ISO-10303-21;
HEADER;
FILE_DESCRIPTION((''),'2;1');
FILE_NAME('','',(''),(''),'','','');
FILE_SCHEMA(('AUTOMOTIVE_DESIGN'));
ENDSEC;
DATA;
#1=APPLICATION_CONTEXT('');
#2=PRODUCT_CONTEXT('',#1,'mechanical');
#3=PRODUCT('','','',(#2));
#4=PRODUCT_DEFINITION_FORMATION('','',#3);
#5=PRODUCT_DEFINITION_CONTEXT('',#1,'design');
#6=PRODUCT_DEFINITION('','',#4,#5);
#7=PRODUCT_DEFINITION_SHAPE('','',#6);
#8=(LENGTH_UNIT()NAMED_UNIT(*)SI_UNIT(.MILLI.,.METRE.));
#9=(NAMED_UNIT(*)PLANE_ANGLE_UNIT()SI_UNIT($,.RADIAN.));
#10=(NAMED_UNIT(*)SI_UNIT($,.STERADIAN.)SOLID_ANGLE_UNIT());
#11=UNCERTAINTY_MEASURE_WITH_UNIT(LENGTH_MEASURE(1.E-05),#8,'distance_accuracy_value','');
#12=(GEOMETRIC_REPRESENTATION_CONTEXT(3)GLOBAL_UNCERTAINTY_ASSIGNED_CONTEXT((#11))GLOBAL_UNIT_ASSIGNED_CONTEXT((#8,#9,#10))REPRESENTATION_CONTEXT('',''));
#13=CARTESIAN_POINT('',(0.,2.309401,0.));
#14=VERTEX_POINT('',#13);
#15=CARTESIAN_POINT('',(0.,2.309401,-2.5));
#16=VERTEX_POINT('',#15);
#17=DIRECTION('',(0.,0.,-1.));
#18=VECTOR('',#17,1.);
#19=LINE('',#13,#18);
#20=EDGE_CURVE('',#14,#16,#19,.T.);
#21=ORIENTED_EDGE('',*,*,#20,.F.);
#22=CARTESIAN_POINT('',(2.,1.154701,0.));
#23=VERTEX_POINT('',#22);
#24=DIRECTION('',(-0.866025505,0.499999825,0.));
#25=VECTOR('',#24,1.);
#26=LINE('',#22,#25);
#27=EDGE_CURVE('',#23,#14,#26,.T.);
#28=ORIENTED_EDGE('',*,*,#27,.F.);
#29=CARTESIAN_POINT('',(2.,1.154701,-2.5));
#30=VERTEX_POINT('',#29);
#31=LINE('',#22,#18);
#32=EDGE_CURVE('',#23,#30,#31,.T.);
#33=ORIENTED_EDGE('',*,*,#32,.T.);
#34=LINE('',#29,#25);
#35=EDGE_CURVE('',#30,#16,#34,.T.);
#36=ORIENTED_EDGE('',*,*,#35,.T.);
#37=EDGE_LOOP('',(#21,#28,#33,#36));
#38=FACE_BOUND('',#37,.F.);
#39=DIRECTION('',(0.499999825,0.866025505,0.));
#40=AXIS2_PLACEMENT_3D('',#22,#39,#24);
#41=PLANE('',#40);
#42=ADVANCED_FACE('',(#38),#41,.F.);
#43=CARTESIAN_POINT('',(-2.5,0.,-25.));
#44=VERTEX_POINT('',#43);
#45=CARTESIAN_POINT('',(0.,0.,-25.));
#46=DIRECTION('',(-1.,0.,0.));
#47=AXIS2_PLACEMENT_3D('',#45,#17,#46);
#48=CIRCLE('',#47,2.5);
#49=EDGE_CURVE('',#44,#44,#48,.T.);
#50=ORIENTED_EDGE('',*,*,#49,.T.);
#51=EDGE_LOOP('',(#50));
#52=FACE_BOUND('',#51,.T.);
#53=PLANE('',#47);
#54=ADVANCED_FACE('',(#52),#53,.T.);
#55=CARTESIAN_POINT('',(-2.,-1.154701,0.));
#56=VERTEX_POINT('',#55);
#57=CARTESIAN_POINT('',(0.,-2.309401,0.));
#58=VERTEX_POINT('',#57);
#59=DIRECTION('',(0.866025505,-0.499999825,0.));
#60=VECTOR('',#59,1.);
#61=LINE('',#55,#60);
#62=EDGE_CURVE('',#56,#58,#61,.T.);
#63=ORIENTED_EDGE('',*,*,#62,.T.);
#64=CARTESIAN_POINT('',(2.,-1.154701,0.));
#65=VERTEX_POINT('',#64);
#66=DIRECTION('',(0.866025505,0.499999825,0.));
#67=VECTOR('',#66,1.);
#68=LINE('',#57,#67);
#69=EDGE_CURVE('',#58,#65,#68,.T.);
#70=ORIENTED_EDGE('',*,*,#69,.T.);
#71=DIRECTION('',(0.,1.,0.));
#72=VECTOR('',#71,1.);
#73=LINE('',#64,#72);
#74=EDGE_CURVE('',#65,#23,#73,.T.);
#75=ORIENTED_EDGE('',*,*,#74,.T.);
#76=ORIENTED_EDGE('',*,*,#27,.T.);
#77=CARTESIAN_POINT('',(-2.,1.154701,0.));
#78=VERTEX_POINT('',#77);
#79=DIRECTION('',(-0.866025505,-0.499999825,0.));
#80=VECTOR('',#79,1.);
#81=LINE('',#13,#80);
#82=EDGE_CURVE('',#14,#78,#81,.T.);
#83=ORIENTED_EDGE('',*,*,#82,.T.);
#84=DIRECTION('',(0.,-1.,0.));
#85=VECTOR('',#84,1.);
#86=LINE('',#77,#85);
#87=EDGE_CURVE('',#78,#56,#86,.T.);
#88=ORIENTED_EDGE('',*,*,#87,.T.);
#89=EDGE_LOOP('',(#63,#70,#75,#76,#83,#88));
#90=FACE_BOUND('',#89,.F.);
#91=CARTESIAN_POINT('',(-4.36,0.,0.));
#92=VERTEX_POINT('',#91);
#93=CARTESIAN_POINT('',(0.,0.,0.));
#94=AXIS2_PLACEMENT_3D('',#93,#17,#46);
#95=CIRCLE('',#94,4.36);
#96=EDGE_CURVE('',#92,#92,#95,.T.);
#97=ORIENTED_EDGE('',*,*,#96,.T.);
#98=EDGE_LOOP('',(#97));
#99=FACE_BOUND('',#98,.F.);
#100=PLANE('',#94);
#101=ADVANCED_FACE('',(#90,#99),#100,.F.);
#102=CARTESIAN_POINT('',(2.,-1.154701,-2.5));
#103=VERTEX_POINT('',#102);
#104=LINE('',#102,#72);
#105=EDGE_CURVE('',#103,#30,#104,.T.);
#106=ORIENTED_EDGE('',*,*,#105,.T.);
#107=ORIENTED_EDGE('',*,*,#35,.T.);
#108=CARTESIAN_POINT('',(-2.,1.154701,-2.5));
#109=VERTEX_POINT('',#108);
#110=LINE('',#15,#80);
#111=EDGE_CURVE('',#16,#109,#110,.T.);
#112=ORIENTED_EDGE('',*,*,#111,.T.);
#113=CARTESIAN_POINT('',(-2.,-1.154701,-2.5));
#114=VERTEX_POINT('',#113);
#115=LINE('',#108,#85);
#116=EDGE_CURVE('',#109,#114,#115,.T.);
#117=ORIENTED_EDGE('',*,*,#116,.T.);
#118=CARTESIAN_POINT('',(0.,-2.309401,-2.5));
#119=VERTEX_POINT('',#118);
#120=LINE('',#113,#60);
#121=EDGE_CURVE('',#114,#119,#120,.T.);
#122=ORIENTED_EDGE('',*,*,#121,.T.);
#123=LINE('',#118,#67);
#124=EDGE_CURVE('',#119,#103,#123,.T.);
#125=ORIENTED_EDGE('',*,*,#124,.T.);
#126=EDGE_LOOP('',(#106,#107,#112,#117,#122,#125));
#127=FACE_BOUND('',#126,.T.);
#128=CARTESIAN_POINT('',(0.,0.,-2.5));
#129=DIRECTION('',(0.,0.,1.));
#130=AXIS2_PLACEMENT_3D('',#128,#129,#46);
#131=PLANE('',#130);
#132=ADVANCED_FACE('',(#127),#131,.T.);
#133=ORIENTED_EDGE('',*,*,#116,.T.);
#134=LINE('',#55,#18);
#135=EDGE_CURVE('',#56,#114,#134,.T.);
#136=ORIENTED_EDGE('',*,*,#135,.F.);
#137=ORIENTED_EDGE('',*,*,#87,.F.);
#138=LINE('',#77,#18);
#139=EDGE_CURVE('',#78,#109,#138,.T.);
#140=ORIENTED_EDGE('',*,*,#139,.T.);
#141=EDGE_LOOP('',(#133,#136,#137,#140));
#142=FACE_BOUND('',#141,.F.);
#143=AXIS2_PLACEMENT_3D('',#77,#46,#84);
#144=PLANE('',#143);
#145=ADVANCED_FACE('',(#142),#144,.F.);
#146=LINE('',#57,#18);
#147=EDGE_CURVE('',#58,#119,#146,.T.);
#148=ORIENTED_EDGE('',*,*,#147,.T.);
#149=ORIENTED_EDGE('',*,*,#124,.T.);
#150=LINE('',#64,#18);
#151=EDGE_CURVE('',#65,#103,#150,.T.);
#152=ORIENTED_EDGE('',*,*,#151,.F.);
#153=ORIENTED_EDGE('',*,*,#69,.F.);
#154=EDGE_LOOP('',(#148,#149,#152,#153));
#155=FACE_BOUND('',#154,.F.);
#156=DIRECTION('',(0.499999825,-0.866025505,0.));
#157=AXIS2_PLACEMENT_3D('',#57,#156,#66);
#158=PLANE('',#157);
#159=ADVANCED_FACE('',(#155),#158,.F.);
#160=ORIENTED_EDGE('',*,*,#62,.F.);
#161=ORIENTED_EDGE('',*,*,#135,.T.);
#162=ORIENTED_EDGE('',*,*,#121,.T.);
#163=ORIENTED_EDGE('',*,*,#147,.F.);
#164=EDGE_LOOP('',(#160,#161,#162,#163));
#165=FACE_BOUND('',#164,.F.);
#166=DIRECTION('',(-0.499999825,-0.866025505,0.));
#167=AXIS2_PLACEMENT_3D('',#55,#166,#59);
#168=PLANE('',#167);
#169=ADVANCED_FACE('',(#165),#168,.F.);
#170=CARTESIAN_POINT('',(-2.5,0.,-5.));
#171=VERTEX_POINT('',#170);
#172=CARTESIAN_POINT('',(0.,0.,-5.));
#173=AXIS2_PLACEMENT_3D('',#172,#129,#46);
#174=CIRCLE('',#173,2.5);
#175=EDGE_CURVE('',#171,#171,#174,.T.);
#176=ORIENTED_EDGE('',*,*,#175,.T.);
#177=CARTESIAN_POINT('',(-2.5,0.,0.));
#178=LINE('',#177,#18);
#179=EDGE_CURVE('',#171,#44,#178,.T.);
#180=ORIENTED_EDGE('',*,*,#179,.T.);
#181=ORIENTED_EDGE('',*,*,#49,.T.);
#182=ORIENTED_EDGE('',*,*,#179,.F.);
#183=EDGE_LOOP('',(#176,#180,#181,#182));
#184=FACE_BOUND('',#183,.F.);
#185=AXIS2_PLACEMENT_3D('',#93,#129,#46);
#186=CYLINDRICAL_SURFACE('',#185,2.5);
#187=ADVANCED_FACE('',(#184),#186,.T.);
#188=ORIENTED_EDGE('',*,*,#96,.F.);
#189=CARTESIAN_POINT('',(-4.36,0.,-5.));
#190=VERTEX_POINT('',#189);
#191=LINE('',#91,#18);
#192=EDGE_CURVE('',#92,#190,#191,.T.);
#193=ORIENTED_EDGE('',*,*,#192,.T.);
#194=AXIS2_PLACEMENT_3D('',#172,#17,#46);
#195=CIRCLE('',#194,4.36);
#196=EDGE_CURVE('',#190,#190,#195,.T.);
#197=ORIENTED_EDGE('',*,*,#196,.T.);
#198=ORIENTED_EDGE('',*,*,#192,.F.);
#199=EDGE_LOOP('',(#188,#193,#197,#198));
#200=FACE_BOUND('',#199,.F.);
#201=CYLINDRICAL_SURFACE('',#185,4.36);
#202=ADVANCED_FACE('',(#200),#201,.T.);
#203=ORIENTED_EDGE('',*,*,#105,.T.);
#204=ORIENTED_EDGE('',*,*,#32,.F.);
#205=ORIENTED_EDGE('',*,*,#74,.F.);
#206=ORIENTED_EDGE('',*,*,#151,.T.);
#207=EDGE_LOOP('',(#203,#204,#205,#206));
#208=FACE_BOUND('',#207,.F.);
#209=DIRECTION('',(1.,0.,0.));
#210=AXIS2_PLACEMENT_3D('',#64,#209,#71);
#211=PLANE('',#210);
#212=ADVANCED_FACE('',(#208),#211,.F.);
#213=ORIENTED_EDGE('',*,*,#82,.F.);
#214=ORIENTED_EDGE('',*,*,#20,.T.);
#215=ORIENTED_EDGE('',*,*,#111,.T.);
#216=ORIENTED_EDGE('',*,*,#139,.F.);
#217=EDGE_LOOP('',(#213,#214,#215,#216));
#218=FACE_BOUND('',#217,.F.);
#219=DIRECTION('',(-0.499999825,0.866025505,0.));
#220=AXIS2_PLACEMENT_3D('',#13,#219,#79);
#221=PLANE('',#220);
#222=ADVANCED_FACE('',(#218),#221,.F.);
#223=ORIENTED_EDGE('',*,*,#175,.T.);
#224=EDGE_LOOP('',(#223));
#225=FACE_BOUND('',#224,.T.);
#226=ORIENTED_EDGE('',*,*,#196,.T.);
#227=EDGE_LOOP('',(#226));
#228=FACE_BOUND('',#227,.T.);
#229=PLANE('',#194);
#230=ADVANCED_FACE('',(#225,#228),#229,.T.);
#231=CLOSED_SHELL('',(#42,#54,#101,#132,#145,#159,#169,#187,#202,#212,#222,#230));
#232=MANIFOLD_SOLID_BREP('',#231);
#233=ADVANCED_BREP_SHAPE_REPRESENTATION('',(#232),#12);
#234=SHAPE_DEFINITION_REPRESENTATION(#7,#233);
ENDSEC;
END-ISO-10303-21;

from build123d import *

# Parameters (mm, degrees)
CYLINDER019_R                      = 2.5
CYLINDER019_DEPTH                  = 25
CYLINDER018_R                      = 4.36
CYLINDER018_DEPTH                  = 5
FUSION001018017020_PLACEMENT_ANGLE = 180
POCKET002018004005_DEPTH           = 2.5


with BuildPart() as cylinder019:
    # Cylinder019 → Cylinder019 (new body)
    with BuildSketch(Plane.XY):
        Circle(CYLINDER019_R)
    extrude(amount=CYLINDER019_DEPTH)


with BuildPart() as zylinderkopfschraube_m5x20_isk:
    # Cylinder018 → Cylinder018 (new body)
    with BuildSketch(Plane.XY):
        Circle(CYLINDER018_R)
    extrude(amount=CYLINDER018_DEPTH)

    # Fusion001018017020: union Cylinder019
    add(cylinder019.part)


with BuildPart() as zylinderkopfschraube_m5x20_isk_1:
    # Fusion001018017020 placement: moved
    add(zylinderkopfschraube_m5x20_isk.part.rotate(Axis((0, 0, 0), (0, 1, 0)), FUSION001018017020_PLACEMENT_ANGLE))

    # Sketch022 → Pocket002018004005 (cut)
    with BuildSketch(Plane(origin=(0, 0, 0), x_dir=(-1, 0, 0), z_dir=(0, 0, 1))):
        Polygon((2, -1.154701), (2, 1.154701), (0, 2.309401), (-2, 1.154701), (-2, -1.154701), (0, -2.309401), align=None)
    extrude(amount=-POCKET002018004005_DEPTH, mode=Mode.SUBTRACT)


solid = zylinderkopfschraube_m5x20_isk_1.part
